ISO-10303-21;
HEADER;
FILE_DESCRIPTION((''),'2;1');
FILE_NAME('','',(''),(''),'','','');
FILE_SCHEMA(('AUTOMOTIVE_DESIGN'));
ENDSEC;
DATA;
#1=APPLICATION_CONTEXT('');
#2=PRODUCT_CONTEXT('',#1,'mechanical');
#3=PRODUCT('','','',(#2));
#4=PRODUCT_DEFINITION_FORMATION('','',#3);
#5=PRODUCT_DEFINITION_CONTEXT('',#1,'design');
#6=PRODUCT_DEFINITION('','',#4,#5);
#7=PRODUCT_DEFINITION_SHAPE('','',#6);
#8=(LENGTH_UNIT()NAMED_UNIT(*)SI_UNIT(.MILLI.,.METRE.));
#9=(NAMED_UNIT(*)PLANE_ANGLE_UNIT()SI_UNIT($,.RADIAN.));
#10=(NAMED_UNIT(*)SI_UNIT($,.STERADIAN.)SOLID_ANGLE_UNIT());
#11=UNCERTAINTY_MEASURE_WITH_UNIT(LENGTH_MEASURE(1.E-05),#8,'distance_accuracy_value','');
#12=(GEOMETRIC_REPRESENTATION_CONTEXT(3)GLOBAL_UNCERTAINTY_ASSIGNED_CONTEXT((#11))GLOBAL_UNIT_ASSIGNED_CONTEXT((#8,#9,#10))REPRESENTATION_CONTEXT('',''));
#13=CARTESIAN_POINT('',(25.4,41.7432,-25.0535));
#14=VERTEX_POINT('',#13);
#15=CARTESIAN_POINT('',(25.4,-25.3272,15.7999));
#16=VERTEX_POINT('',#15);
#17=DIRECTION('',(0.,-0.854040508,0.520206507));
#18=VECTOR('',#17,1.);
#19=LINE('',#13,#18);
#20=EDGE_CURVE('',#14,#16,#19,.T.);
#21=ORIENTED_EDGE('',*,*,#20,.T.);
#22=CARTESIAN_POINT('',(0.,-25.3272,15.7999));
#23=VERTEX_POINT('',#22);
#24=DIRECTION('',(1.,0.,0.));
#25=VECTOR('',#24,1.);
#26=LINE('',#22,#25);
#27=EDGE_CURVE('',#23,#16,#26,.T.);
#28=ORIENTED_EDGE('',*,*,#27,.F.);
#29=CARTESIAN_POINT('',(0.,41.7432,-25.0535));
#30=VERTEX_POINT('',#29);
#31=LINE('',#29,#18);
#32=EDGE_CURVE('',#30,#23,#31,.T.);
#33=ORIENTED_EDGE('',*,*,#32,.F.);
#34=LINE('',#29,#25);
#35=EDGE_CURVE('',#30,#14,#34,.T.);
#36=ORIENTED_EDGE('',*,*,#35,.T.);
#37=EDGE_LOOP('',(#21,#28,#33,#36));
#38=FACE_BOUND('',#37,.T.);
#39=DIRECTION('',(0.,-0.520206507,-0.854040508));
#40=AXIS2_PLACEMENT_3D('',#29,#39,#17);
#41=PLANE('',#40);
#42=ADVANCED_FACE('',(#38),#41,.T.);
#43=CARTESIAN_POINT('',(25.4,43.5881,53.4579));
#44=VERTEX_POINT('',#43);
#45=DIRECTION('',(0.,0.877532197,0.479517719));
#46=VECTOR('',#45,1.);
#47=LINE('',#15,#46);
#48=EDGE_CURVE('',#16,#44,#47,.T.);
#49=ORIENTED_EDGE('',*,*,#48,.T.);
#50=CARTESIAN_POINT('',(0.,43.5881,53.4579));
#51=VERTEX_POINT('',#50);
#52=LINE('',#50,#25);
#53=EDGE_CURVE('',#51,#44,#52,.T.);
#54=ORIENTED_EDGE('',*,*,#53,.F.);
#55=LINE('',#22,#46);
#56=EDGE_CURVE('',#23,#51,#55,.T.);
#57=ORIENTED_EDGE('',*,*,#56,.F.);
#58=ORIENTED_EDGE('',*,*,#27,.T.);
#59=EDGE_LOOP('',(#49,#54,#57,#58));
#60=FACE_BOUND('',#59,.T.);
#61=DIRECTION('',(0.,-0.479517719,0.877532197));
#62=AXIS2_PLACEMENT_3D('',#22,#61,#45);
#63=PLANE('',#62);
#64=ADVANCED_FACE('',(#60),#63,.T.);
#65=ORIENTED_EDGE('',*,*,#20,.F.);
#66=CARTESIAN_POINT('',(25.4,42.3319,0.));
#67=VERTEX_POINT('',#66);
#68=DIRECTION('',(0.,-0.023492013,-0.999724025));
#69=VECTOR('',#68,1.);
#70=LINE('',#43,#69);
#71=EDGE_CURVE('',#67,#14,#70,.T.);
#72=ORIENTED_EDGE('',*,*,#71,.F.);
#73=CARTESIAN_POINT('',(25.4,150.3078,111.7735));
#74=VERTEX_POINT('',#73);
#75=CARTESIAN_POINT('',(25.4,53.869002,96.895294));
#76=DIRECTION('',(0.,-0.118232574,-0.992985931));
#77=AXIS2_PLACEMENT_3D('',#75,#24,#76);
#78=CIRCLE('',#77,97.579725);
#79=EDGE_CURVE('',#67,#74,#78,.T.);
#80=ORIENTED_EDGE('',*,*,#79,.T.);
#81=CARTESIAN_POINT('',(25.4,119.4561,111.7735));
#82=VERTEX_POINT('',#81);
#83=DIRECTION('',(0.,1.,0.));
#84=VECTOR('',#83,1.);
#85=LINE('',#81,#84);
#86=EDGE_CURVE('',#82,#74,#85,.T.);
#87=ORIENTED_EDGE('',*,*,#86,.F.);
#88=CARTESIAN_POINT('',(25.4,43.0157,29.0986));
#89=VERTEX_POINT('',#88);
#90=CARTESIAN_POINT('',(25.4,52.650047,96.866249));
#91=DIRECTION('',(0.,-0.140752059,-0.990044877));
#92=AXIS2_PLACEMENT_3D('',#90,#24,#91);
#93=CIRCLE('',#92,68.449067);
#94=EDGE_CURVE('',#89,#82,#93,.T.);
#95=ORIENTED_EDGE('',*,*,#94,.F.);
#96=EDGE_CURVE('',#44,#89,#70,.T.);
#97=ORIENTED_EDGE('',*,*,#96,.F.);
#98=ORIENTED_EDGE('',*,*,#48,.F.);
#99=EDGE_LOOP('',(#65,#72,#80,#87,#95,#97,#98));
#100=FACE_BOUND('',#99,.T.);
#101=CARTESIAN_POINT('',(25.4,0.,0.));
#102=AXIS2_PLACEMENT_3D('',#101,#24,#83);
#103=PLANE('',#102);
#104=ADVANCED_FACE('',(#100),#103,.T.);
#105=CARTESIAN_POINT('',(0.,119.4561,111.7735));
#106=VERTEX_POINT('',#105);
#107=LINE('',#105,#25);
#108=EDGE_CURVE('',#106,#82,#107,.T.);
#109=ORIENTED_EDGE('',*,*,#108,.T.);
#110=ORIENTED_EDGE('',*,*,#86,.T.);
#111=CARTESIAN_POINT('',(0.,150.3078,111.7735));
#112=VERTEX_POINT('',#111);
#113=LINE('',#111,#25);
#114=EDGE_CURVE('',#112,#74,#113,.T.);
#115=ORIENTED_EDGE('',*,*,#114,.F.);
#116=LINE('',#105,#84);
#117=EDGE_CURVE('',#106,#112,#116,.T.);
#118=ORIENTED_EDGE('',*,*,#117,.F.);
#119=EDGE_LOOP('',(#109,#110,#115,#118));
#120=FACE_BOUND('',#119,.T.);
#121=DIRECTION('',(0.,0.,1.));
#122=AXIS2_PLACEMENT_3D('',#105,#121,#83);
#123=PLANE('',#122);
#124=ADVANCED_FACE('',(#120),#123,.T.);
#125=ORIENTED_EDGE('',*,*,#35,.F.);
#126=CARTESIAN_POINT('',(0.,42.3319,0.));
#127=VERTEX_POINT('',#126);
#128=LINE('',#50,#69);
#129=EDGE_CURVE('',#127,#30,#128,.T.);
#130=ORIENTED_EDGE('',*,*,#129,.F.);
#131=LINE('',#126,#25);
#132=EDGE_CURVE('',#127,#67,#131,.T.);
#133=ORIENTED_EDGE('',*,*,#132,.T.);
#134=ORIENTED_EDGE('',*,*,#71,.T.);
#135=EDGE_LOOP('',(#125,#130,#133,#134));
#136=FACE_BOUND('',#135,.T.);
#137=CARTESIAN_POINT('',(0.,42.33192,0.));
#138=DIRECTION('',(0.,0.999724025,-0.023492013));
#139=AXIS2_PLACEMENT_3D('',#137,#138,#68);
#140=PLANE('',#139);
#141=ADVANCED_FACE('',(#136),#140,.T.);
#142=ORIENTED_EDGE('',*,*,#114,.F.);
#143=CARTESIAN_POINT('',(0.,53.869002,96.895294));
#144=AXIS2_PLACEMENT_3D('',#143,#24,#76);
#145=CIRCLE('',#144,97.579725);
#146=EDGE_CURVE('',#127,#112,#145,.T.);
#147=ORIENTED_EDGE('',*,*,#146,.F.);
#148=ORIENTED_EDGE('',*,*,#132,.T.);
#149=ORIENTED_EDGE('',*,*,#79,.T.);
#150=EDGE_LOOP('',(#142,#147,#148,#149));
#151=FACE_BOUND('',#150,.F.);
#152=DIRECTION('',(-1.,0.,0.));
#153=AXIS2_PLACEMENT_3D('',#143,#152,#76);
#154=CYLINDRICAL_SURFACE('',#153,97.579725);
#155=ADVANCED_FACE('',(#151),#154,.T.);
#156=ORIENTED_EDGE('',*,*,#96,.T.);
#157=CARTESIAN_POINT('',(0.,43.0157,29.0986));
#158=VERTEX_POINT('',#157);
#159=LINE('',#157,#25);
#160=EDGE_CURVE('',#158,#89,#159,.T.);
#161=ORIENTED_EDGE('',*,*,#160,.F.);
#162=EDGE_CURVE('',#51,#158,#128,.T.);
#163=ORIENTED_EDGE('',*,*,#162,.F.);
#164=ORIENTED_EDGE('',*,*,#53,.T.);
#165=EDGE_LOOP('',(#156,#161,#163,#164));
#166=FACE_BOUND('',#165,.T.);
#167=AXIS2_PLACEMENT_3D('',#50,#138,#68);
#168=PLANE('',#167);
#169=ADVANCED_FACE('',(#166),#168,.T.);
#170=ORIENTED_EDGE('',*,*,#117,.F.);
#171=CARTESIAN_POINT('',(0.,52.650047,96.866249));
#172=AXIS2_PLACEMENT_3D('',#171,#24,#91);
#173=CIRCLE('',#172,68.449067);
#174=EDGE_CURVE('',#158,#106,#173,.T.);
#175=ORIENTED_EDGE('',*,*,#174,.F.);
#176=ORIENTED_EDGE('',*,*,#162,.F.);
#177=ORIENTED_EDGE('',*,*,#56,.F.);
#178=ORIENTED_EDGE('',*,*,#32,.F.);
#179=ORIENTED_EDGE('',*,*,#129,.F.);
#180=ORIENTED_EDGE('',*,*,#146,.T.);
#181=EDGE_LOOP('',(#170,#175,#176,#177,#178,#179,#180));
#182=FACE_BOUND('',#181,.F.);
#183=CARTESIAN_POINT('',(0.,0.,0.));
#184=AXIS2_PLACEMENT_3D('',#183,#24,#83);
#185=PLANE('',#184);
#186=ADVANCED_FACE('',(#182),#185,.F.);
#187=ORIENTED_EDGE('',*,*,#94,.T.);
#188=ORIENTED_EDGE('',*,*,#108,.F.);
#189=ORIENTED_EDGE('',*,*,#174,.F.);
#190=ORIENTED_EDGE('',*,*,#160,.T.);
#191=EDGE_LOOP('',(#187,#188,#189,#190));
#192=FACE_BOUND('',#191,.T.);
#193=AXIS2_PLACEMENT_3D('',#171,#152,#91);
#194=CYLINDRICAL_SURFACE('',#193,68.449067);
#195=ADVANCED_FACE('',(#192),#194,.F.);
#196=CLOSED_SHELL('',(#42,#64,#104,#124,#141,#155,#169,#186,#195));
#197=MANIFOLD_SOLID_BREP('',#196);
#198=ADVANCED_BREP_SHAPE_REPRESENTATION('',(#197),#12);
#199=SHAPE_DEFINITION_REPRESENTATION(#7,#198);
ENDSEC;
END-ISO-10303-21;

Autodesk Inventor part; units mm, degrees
ref_plane "YZ Plane" through (0, 0, 0) normal (1, 0, 0) x (0, 1, 0)
ref_plane "XZ Plane" through (0, 0, 0) normal (0, 1, 0) x (-1, 0, 0)
ref_plane "XY Plane" through (0, 0, 0) normal (0, 0, 1) x (1, 0, 0)
sketch "Sketch1" plane through (0, 0, 0) normal (1, 0, 0) x (0, 1, 0)
  line L0 (-25.3272, 15.7999) -> (43.5881, 53.4579)
  line L1 (43.5881, 53.4579) -> (41.7432, -25.0535)
  line L2 (41.7432, -25.0535) -> (-25.3272, 15.7999)
  arc A0 (42.3319, 0) -> (150.3078, 111.7735) centre (53.869, 96.8953) ccw
  arc A1 (43.0157, 29.0986) -> (119.4561, 111.7735) centre (52.6501, 96.8661) ccw
  line L3 (119.4561, 111.7735) -> (150.3078, 111.7735)
  point P0 (0, 0)
  point P1 (20.0014, 14.7347)
extrude "Extrusion1" add sketch "Sketch1" along normal blind 25.4
properties part number "Arrow"
